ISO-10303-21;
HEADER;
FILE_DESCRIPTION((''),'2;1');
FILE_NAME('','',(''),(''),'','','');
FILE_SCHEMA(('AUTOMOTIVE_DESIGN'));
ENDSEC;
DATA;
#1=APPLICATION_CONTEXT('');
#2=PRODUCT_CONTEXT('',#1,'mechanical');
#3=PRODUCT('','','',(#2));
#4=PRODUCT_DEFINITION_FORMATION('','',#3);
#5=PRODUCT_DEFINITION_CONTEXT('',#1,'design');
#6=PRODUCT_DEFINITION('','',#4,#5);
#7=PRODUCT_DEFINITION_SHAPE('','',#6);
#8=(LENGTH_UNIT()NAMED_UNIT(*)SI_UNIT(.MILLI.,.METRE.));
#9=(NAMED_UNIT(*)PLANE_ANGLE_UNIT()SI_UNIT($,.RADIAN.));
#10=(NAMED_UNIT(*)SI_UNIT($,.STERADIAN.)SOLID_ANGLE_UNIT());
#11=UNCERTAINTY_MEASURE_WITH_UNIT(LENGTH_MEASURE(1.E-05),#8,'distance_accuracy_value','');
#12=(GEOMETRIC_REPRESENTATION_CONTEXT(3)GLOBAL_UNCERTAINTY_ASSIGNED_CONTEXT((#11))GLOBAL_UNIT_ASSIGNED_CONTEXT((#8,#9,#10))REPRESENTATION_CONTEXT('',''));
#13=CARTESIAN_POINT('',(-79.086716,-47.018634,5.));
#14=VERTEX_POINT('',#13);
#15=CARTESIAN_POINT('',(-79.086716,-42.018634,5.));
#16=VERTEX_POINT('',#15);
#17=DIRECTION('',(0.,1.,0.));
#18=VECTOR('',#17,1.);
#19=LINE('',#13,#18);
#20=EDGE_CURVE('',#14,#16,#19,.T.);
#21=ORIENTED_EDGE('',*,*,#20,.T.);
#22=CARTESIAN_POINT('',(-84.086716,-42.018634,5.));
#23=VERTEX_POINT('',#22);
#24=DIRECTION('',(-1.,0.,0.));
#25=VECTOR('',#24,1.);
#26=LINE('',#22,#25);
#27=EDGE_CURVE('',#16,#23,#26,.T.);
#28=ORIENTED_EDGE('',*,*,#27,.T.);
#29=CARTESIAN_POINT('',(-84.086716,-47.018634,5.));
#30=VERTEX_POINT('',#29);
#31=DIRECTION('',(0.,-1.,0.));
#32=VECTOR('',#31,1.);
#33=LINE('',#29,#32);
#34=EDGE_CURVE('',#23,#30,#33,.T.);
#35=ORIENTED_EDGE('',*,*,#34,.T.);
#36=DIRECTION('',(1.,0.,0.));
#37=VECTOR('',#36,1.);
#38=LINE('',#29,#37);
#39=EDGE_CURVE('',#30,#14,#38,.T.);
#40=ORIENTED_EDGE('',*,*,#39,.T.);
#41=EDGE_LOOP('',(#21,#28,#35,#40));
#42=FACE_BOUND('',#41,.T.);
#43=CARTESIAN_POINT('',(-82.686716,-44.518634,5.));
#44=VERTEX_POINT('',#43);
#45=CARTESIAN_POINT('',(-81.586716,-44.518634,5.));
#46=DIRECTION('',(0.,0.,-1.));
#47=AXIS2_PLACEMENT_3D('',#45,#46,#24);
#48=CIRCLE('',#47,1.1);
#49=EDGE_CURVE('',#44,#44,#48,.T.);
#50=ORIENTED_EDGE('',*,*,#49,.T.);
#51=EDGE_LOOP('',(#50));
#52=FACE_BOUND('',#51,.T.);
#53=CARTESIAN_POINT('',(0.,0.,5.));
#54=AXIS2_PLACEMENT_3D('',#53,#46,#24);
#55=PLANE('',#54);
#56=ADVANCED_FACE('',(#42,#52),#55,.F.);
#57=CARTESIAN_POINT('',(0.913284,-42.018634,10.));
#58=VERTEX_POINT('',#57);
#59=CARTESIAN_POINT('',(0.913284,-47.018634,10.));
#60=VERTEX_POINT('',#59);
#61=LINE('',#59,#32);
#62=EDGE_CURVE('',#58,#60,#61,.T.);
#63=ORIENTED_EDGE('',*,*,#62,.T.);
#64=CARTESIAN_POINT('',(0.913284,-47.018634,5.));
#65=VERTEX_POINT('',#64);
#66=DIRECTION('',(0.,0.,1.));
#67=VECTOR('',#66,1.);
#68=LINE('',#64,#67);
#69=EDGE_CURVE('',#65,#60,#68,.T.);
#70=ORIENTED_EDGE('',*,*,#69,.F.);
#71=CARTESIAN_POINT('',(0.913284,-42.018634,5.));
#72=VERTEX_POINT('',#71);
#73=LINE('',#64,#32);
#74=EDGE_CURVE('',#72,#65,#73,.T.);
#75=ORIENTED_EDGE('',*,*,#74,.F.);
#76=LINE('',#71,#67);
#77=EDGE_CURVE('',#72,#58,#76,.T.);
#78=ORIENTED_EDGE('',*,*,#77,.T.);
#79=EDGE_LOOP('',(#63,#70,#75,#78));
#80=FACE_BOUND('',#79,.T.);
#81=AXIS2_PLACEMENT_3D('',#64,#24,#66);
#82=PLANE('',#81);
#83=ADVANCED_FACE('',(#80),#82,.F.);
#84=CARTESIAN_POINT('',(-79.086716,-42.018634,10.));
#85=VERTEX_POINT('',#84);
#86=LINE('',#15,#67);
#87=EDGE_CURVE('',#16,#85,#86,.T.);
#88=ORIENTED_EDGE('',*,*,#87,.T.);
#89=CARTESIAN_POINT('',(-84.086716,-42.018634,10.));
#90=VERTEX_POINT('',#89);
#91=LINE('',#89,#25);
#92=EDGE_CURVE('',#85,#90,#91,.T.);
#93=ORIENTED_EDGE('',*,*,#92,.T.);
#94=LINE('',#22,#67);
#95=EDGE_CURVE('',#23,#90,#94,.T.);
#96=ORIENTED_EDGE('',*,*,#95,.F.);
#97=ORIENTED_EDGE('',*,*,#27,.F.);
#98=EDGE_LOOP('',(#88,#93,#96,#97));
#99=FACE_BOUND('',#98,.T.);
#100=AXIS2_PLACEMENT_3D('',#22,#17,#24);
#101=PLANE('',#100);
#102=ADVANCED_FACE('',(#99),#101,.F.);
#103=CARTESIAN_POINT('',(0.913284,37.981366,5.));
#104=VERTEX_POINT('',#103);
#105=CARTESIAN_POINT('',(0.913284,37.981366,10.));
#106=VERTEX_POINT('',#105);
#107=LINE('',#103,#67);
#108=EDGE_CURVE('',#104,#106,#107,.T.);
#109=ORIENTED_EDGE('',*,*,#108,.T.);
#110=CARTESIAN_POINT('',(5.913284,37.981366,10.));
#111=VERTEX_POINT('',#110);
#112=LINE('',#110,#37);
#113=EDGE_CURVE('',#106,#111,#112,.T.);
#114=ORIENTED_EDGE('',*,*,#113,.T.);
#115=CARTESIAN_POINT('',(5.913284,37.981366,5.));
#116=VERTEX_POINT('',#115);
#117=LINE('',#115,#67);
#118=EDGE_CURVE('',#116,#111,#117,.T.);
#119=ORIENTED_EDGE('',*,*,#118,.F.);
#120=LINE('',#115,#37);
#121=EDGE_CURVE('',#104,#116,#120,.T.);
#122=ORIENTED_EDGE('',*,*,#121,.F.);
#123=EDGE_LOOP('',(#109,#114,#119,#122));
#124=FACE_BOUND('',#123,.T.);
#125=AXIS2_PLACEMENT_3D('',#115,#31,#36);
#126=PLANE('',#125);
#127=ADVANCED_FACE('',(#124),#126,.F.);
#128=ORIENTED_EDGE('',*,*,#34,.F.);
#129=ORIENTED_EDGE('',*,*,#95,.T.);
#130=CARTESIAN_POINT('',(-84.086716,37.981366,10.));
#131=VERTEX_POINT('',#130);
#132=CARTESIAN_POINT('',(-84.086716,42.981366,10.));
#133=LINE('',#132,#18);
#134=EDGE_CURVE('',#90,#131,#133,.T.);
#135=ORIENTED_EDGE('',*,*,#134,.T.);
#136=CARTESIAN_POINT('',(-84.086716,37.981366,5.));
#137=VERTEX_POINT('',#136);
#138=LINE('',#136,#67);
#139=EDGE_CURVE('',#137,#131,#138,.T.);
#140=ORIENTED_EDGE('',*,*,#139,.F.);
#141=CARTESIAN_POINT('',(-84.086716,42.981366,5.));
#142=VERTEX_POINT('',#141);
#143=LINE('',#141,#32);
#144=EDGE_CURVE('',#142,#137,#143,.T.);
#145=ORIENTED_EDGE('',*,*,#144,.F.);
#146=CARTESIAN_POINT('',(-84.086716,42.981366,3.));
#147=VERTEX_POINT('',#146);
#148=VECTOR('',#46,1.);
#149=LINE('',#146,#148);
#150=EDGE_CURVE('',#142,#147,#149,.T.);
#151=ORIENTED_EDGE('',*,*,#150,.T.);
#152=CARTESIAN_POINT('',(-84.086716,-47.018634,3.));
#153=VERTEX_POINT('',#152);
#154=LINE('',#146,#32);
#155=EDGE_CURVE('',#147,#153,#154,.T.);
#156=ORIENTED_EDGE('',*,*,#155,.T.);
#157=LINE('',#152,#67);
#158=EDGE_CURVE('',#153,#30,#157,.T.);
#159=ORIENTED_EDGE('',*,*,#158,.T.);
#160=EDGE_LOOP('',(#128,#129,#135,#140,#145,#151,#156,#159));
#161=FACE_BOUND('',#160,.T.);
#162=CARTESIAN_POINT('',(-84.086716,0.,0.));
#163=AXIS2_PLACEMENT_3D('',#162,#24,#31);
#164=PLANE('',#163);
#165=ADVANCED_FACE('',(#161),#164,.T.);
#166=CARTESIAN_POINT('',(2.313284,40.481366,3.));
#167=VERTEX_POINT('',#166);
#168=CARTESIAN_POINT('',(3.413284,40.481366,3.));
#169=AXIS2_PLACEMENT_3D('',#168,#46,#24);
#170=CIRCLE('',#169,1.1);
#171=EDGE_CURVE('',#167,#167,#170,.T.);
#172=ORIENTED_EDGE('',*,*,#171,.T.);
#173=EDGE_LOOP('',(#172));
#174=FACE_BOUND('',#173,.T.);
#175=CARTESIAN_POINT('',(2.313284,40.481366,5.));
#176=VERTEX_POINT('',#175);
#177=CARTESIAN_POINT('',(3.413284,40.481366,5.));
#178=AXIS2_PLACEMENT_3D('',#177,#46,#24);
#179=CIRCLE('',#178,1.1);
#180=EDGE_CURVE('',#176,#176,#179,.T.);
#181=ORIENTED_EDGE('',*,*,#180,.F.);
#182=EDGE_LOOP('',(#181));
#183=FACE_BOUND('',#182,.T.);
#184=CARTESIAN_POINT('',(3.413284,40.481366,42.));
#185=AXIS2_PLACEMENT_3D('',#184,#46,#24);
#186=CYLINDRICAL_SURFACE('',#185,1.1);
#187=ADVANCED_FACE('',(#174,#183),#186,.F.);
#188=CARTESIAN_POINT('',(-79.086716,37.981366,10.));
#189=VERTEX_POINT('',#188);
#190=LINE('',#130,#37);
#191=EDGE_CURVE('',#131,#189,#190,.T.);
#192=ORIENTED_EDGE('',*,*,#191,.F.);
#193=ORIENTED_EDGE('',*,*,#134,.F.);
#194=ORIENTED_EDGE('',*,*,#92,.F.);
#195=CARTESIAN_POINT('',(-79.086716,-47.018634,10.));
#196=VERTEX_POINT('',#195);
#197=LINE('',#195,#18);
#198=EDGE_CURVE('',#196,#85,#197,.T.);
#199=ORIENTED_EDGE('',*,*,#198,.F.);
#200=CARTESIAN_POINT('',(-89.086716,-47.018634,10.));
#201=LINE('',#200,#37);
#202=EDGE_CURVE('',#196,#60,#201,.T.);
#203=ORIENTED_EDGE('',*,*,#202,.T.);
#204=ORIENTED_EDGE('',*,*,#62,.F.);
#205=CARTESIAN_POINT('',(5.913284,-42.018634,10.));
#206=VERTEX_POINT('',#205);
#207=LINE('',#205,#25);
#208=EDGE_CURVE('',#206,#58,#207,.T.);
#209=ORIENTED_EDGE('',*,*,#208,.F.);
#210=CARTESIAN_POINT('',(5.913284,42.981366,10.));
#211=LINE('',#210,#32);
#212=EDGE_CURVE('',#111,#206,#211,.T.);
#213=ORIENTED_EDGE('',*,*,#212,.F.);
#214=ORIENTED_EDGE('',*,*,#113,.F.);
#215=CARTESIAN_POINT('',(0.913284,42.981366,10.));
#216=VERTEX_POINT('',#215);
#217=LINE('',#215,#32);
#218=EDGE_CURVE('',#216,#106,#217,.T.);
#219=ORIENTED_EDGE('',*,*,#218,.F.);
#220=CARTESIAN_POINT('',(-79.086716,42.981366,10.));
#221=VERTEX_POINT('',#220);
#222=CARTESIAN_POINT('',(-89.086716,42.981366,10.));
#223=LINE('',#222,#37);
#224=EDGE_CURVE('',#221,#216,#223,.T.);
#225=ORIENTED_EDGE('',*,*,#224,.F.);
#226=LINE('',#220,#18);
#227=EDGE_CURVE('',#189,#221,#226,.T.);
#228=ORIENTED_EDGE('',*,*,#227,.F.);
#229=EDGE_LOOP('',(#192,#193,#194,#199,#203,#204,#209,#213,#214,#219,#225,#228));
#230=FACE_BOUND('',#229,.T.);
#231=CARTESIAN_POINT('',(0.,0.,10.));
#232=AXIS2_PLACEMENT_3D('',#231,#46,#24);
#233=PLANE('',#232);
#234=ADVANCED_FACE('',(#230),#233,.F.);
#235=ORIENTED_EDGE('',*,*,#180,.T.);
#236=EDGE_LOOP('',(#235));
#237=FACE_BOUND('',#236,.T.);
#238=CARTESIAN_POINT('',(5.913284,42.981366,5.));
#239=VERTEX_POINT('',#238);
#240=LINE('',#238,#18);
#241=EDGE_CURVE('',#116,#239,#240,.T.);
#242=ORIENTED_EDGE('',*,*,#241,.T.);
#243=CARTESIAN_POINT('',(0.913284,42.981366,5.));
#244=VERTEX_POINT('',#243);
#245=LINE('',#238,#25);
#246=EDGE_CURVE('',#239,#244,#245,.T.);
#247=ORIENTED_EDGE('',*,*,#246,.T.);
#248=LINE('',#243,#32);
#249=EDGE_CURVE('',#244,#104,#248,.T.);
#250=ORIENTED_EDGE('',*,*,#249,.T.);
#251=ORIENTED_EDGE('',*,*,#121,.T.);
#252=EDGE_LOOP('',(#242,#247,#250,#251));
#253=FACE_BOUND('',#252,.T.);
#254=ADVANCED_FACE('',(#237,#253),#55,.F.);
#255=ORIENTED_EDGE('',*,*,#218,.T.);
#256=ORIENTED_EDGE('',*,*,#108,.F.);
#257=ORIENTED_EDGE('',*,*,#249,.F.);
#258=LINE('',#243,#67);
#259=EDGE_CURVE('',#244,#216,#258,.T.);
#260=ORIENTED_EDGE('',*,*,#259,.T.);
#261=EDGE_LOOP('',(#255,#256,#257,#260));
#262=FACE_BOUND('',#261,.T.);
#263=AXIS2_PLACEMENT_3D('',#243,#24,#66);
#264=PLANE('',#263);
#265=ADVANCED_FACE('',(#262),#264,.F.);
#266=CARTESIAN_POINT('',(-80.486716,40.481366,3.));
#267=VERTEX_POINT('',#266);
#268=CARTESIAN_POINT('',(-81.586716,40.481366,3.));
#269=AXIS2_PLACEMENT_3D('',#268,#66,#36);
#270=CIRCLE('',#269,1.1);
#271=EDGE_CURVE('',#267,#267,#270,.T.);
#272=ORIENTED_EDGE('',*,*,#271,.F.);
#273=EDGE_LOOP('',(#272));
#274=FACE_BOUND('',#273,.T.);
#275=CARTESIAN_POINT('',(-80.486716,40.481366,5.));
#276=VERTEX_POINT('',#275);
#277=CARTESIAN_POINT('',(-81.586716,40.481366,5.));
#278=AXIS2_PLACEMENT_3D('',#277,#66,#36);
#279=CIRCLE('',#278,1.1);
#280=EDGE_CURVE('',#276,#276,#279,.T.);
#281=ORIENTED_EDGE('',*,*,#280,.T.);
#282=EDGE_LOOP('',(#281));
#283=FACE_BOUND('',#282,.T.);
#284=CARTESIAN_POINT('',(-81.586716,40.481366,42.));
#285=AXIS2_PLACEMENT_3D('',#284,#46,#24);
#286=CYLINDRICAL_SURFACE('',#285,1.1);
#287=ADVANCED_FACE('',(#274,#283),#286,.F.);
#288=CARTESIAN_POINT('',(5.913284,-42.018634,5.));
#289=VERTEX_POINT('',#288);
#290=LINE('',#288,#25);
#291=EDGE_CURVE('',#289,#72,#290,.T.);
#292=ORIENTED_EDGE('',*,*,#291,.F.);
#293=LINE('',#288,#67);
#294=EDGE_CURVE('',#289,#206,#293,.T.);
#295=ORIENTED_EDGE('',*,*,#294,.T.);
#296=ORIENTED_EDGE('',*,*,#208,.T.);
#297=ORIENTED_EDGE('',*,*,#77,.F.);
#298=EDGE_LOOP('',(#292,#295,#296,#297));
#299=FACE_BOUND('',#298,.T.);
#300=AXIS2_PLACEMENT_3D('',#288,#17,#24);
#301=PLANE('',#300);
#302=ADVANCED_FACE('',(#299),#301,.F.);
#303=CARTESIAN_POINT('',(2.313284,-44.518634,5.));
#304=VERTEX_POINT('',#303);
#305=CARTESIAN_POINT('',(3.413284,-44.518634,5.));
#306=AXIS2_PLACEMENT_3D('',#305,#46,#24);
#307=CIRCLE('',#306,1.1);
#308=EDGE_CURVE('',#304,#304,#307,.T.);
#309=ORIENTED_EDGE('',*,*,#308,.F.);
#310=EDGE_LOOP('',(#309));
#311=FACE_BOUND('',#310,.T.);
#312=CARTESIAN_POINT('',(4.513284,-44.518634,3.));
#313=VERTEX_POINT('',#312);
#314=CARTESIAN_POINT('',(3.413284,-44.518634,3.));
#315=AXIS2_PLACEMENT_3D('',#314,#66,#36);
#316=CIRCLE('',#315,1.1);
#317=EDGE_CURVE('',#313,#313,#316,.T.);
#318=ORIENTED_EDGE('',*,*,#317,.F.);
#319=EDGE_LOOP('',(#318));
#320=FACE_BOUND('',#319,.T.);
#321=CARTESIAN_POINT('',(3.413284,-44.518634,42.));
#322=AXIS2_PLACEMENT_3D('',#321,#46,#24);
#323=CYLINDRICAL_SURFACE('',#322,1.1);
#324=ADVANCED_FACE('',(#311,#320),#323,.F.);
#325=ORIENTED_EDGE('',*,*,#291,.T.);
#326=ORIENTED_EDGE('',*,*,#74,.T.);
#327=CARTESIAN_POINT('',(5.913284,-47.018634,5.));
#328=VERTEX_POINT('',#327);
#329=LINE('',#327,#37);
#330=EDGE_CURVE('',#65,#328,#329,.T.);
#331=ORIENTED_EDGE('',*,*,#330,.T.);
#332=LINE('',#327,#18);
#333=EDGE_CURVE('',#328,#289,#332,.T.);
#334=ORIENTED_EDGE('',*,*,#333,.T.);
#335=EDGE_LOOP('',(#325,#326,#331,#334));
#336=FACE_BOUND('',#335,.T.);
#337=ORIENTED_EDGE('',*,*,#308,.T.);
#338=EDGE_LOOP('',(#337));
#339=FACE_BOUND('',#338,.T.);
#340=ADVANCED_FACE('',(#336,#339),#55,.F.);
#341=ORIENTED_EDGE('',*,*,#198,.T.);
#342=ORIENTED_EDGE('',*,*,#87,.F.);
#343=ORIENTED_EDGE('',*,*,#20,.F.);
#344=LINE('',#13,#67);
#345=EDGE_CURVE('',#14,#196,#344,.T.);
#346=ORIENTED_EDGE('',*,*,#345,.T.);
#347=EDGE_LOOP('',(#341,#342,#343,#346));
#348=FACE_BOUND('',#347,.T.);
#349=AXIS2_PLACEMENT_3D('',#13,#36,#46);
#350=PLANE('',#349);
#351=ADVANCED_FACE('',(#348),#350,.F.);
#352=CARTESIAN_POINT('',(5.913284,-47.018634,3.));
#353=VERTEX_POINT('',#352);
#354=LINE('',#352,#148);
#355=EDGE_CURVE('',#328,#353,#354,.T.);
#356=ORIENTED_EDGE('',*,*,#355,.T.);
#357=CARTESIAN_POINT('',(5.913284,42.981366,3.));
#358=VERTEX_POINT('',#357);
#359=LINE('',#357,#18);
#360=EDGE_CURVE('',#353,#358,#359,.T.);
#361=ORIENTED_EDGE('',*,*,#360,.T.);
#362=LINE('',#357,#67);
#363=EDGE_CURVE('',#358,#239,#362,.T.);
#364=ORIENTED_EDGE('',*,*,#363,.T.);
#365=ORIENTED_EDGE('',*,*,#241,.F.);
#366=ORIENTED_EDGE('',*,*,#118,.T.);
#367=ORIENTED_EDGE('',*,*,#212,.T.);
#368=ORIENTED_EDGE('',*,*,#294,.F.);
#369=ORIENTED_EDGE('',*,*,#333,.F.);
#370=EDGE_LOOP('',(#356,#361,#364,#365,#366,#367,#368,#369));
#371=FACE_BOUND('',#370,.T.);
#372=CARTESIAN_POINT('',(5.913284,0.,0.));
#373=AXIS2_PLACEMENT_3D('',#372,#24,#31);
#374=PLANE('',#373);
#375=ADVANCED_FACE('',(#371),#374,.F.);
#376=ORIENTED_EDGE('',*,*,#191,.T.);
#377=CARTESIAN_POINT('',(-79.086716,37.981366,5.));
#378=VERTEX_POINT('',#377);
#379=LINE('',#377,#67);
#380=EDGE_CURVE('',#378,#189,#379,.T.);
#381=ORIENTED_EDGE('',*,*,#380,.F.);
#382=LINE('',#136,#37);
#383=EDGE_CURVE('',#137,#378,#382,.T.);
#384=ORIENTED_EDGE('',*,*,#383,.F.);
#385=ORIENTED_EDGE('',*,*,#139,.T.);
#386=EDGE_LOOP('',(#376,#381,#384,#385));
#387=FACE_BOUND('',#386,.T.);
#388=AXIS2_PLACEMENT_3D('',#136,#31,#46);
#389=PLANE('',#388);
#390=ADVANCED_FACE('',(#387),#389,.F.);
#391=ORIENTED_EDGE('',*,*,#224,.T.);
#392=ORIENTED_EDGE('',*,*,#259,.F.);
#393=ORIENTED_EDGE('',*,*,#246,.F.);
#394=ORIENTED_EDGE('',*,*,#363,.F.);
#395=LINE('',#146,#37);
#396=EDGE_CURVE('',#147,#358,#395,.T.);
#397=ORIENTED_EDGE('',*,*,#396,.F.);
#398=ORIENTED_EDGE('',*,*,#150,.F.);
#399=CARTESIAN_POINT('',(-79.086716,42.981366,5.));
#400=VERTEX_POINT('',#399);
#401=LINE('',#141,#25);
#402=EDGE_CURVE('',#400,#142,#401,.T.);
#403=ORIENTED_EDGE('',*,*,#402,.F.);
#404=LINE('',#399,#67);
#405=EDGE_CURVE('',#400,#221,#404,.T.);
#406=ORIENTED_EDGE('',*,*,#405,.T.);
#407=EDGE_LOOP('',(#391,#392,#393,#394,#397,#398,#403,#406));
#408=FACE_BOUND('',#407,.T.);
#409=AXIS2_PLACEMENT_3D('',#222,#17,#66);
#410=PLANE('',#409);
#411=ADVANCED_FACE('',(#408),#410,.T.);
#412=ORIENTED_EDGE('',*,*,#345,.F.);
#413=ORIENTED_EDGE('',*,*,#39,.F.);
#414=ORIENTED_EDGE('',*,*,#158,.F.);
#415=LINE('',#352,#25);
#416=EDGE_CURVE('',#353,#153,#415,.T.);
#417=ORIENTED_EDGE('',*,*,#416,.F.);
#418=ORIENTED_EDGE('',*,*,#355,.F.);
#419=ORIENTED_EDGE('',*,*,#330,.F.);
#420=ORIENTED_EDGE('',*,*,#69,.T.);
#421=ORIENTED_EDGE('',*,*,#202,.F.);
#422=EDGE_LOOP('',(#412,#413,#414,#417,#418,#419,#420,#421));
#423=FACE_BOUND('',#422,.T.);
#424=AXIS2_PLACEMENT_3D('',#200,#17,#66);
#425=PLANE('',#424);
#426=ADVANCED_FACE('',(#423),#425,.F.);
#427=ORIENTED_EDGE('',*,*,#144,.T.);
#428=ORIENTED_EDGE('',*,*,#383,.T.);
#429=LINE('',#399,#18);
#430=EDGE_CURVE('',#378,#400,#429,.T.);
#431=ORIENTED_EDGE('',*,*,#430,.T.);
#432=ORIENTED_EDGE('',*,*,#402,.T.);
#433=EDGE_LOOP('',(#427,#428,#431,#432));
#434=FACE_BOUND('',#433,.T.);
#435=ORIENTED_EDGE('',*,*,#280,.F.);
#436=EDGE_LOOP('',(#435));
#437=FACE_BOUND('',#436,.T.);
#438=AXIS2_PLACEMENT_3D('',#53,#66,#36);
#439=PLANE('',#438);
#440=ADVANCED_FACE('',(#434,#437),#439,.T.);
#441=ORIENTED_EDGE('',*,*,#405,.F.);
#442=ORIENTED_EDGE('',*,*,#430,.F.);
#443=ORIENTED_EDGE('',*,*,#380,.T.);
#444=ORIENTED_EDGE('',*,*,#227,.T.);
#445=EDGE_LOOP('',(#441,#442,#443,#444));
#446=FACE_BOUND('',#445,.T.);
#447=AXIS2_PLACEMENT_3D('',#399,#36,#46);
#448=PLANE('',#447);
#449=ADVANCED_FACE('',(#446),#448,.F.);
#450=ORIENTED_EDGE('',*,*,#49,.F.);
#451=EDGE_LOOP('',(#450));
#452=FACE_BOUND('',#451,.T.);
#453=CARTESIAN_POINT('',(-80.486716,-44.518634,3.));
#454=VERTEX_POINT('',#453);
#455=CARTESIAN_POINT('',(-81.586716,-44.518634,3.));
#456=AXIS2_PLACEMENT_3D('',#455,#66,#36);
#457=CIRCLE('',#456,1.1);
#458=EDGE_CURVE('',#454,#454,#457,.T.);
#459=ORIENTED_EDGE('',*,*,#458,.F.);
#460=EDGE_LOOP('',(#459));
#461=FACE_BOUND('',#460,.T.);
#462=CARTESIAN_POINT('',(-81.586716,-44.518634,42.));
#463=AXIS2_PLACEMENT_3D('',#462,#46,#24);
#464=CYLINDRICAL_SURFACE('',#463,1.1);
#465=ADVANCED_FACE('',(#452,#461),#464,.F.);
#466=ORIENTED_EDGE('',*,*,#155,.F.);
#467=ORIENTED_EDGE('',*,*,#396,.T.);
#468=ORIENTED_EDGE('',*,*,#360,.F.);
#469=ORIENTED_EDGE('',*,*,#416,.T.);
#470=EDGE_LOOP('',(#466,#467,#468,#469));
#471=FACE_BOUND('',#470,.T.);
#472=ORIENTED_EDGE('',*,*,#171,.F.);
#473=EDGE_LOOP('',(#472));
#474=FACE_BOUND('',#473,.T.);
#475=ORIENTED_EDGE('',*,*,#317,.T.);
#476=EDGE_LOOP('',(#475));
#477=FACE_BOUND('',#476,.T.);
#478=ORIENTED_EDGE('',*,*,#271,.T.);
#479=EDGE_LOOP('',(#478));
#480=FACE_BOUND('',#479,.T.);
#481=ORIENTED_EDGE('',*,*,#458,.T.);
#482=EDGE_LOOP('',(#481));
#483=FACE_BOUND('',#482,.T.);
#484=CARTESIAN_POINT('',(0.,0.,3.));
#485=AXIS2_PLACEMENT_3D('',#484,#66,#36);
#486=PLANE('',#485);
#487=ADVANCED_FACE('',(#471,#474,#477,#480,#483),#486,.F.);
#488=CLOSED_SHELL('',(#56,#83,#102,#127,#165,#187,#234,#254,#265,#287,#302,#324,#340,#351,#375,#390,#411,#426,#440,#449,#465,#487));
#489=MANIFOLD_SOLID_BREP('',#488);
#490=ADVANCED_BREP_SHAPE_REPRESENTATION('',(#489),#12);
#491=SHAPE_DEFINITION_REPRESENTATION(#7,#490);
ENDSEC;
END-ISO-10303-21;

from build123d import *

# Parameters (mm, degrees)
SKETCH_1_W          = 100
SKETCH_1_H          = 90
EXTRUDE_1_DEPTH     = 10
SKETCH_6_W          = 5
SKETCH_6_H          = 5
CUT_EXTRUDE_4_DEPTH = 5
SKETCH_7_W          = 5
SKETCH_7_H          = 5
CUT_EXTRUDE_5_DEPTH = 3
SKETCH_8_R          = 1.1
CUT_EXTRUDE_6_DEPTH = 42
SKETCH_10_W         = 100
SKETCH_10_H         = 90
CUT_EXTRUDE_7_DEPTH = 3
SKETCH_11_W         = 7
SKETCH_11_H         = 90
CUT_EXTRUDE_8_DEPTH = 5
SKETCH_12_W         = 7
SKETCH_12_H         = 90
CUT_EXTRUDE_9_DEPTH = 5


with BuildPart() as part:
    # 草圖1 → 填料-伸長1 (new body)
    with BuildSketch(Plane.XY):
        with Locations((-39.08671555, -2.01863354)):
            Rectangle(SKETCH_1_W, SKETCH_1_H)
    extrude(amount=EXTRUDE_1_DEPTH)

    # 草圖6 → 除料-伸長4 (cut)
    with BuildSketch(Plane.XY.offset(10)):
        with Locations((3.41328445, 40.48136646)):
            Rectangle(SKETCH_6_W, SKETCH_6_H)
        with Locations((-81.58671555, 40.48136646)):
            Rectangle(SKETCH_6_W, SKETCH_6_H)
        with Locations((-81.58671555, -44.51863354)):
            Rectangle(SKETCH_6_W, SKETCH_6_H)
        with Locations((3.41328445, -44.51863354)):
            Rectangle(SKETCH_6_W, SKETCH_6_H)
    extrude(amount=-CUT_EXTRUDE_4_DEPTH, mode=Mode.SUBTRACT)

    # 草圖7 → 除料-伸長5 (cut)
    with BuildSketch(Plane(origin=(0, 0, 0), x_dir=(-1, 0, 0), z_dir=(0, 0, -1))):
        with Locations((81.58671555, 40.48136646)):
            Rectangle(SKETCH_7_W, SKETCH_7_H)
        with Locations((-3.41328445, 40.48136646)):
            Rectangle(SKETCH_7_W, SKETCH_7_H)
        with Locations((81.58671555, -44.51863354)):
            Rectangle(SKETCH_7_W, SKETCH_7_H)
        with Locations((-3.41328445, -44.51863354)):
            Rectangle(SKETCH_7_W, SKETCH_7_H)
    extrude(amount=-CUT_EXTRUDE_5_DEPTH, mode=Mode.SUBTRACT)

    # 草圖8 → 除料-伸長6 (cut)
    with BuildSketch(Plane(origin=(0, 0, 0), x_dir=(-1, 0, 0), z_dir=(0, 0, -1))):
        with Locations((-3.41328445, 40.48136646)):
            Circle(SKETCH_8_R)
        with Locations((81.58671555, 40.48136646)):
            Circle(SKETCH_8_R)
        with Locations((81.58671555, -44.51863354)):
            Circle(SKETCH_8_R)
        with Locations((-3.41328445, -44.51863354)):
            Circle(SKETCH_8_R)
    extrude(amount=-CUT_EXTRUDE_6_DEPTH, mode=Mode.SUBTRACT)

    # 草圖10 → 除料-伸長7 (cut)
    with BuildSketch(Plane.XY):
        with Locations((-39.08671555, -2.01863354)):
            Rectangle(SKETCH_10_W, SKETCH_10_H)
    extrude(amount=CUT_EXTRUDE_7_DEPTH, mode=Mode.SUBTRACT)

    # 草圖11 → 除料-伸長8 (cut)
    with BuildSketch(Plane(origin=(10.91328445, 0, 0), x_dir=(0, 0, -1), z_dir=(1, 0, 0))):
        with Locations((-6.5, -2.01863354)):
            Rectangle(SKETCH_11_W, SKETCH_11_H)
    extrude(amount=-CUT_EXTRUDE_8_DEPTH, mode=Mode.SUBTRACT)

    # 草圖12 → 除料-伸長9 (cut)
    with BuildSketch(Plane.ZY.offset(89.08671555)):
        with Locations((6.5, -2.01863354)):
            Rectangle(SKETCH_12_W, SKETCH_12_H)
    extrude(amount=-CUT_EXTRUDE_9_DEPTH, mode=Mode.SUBTRACT)


solid = part.part
